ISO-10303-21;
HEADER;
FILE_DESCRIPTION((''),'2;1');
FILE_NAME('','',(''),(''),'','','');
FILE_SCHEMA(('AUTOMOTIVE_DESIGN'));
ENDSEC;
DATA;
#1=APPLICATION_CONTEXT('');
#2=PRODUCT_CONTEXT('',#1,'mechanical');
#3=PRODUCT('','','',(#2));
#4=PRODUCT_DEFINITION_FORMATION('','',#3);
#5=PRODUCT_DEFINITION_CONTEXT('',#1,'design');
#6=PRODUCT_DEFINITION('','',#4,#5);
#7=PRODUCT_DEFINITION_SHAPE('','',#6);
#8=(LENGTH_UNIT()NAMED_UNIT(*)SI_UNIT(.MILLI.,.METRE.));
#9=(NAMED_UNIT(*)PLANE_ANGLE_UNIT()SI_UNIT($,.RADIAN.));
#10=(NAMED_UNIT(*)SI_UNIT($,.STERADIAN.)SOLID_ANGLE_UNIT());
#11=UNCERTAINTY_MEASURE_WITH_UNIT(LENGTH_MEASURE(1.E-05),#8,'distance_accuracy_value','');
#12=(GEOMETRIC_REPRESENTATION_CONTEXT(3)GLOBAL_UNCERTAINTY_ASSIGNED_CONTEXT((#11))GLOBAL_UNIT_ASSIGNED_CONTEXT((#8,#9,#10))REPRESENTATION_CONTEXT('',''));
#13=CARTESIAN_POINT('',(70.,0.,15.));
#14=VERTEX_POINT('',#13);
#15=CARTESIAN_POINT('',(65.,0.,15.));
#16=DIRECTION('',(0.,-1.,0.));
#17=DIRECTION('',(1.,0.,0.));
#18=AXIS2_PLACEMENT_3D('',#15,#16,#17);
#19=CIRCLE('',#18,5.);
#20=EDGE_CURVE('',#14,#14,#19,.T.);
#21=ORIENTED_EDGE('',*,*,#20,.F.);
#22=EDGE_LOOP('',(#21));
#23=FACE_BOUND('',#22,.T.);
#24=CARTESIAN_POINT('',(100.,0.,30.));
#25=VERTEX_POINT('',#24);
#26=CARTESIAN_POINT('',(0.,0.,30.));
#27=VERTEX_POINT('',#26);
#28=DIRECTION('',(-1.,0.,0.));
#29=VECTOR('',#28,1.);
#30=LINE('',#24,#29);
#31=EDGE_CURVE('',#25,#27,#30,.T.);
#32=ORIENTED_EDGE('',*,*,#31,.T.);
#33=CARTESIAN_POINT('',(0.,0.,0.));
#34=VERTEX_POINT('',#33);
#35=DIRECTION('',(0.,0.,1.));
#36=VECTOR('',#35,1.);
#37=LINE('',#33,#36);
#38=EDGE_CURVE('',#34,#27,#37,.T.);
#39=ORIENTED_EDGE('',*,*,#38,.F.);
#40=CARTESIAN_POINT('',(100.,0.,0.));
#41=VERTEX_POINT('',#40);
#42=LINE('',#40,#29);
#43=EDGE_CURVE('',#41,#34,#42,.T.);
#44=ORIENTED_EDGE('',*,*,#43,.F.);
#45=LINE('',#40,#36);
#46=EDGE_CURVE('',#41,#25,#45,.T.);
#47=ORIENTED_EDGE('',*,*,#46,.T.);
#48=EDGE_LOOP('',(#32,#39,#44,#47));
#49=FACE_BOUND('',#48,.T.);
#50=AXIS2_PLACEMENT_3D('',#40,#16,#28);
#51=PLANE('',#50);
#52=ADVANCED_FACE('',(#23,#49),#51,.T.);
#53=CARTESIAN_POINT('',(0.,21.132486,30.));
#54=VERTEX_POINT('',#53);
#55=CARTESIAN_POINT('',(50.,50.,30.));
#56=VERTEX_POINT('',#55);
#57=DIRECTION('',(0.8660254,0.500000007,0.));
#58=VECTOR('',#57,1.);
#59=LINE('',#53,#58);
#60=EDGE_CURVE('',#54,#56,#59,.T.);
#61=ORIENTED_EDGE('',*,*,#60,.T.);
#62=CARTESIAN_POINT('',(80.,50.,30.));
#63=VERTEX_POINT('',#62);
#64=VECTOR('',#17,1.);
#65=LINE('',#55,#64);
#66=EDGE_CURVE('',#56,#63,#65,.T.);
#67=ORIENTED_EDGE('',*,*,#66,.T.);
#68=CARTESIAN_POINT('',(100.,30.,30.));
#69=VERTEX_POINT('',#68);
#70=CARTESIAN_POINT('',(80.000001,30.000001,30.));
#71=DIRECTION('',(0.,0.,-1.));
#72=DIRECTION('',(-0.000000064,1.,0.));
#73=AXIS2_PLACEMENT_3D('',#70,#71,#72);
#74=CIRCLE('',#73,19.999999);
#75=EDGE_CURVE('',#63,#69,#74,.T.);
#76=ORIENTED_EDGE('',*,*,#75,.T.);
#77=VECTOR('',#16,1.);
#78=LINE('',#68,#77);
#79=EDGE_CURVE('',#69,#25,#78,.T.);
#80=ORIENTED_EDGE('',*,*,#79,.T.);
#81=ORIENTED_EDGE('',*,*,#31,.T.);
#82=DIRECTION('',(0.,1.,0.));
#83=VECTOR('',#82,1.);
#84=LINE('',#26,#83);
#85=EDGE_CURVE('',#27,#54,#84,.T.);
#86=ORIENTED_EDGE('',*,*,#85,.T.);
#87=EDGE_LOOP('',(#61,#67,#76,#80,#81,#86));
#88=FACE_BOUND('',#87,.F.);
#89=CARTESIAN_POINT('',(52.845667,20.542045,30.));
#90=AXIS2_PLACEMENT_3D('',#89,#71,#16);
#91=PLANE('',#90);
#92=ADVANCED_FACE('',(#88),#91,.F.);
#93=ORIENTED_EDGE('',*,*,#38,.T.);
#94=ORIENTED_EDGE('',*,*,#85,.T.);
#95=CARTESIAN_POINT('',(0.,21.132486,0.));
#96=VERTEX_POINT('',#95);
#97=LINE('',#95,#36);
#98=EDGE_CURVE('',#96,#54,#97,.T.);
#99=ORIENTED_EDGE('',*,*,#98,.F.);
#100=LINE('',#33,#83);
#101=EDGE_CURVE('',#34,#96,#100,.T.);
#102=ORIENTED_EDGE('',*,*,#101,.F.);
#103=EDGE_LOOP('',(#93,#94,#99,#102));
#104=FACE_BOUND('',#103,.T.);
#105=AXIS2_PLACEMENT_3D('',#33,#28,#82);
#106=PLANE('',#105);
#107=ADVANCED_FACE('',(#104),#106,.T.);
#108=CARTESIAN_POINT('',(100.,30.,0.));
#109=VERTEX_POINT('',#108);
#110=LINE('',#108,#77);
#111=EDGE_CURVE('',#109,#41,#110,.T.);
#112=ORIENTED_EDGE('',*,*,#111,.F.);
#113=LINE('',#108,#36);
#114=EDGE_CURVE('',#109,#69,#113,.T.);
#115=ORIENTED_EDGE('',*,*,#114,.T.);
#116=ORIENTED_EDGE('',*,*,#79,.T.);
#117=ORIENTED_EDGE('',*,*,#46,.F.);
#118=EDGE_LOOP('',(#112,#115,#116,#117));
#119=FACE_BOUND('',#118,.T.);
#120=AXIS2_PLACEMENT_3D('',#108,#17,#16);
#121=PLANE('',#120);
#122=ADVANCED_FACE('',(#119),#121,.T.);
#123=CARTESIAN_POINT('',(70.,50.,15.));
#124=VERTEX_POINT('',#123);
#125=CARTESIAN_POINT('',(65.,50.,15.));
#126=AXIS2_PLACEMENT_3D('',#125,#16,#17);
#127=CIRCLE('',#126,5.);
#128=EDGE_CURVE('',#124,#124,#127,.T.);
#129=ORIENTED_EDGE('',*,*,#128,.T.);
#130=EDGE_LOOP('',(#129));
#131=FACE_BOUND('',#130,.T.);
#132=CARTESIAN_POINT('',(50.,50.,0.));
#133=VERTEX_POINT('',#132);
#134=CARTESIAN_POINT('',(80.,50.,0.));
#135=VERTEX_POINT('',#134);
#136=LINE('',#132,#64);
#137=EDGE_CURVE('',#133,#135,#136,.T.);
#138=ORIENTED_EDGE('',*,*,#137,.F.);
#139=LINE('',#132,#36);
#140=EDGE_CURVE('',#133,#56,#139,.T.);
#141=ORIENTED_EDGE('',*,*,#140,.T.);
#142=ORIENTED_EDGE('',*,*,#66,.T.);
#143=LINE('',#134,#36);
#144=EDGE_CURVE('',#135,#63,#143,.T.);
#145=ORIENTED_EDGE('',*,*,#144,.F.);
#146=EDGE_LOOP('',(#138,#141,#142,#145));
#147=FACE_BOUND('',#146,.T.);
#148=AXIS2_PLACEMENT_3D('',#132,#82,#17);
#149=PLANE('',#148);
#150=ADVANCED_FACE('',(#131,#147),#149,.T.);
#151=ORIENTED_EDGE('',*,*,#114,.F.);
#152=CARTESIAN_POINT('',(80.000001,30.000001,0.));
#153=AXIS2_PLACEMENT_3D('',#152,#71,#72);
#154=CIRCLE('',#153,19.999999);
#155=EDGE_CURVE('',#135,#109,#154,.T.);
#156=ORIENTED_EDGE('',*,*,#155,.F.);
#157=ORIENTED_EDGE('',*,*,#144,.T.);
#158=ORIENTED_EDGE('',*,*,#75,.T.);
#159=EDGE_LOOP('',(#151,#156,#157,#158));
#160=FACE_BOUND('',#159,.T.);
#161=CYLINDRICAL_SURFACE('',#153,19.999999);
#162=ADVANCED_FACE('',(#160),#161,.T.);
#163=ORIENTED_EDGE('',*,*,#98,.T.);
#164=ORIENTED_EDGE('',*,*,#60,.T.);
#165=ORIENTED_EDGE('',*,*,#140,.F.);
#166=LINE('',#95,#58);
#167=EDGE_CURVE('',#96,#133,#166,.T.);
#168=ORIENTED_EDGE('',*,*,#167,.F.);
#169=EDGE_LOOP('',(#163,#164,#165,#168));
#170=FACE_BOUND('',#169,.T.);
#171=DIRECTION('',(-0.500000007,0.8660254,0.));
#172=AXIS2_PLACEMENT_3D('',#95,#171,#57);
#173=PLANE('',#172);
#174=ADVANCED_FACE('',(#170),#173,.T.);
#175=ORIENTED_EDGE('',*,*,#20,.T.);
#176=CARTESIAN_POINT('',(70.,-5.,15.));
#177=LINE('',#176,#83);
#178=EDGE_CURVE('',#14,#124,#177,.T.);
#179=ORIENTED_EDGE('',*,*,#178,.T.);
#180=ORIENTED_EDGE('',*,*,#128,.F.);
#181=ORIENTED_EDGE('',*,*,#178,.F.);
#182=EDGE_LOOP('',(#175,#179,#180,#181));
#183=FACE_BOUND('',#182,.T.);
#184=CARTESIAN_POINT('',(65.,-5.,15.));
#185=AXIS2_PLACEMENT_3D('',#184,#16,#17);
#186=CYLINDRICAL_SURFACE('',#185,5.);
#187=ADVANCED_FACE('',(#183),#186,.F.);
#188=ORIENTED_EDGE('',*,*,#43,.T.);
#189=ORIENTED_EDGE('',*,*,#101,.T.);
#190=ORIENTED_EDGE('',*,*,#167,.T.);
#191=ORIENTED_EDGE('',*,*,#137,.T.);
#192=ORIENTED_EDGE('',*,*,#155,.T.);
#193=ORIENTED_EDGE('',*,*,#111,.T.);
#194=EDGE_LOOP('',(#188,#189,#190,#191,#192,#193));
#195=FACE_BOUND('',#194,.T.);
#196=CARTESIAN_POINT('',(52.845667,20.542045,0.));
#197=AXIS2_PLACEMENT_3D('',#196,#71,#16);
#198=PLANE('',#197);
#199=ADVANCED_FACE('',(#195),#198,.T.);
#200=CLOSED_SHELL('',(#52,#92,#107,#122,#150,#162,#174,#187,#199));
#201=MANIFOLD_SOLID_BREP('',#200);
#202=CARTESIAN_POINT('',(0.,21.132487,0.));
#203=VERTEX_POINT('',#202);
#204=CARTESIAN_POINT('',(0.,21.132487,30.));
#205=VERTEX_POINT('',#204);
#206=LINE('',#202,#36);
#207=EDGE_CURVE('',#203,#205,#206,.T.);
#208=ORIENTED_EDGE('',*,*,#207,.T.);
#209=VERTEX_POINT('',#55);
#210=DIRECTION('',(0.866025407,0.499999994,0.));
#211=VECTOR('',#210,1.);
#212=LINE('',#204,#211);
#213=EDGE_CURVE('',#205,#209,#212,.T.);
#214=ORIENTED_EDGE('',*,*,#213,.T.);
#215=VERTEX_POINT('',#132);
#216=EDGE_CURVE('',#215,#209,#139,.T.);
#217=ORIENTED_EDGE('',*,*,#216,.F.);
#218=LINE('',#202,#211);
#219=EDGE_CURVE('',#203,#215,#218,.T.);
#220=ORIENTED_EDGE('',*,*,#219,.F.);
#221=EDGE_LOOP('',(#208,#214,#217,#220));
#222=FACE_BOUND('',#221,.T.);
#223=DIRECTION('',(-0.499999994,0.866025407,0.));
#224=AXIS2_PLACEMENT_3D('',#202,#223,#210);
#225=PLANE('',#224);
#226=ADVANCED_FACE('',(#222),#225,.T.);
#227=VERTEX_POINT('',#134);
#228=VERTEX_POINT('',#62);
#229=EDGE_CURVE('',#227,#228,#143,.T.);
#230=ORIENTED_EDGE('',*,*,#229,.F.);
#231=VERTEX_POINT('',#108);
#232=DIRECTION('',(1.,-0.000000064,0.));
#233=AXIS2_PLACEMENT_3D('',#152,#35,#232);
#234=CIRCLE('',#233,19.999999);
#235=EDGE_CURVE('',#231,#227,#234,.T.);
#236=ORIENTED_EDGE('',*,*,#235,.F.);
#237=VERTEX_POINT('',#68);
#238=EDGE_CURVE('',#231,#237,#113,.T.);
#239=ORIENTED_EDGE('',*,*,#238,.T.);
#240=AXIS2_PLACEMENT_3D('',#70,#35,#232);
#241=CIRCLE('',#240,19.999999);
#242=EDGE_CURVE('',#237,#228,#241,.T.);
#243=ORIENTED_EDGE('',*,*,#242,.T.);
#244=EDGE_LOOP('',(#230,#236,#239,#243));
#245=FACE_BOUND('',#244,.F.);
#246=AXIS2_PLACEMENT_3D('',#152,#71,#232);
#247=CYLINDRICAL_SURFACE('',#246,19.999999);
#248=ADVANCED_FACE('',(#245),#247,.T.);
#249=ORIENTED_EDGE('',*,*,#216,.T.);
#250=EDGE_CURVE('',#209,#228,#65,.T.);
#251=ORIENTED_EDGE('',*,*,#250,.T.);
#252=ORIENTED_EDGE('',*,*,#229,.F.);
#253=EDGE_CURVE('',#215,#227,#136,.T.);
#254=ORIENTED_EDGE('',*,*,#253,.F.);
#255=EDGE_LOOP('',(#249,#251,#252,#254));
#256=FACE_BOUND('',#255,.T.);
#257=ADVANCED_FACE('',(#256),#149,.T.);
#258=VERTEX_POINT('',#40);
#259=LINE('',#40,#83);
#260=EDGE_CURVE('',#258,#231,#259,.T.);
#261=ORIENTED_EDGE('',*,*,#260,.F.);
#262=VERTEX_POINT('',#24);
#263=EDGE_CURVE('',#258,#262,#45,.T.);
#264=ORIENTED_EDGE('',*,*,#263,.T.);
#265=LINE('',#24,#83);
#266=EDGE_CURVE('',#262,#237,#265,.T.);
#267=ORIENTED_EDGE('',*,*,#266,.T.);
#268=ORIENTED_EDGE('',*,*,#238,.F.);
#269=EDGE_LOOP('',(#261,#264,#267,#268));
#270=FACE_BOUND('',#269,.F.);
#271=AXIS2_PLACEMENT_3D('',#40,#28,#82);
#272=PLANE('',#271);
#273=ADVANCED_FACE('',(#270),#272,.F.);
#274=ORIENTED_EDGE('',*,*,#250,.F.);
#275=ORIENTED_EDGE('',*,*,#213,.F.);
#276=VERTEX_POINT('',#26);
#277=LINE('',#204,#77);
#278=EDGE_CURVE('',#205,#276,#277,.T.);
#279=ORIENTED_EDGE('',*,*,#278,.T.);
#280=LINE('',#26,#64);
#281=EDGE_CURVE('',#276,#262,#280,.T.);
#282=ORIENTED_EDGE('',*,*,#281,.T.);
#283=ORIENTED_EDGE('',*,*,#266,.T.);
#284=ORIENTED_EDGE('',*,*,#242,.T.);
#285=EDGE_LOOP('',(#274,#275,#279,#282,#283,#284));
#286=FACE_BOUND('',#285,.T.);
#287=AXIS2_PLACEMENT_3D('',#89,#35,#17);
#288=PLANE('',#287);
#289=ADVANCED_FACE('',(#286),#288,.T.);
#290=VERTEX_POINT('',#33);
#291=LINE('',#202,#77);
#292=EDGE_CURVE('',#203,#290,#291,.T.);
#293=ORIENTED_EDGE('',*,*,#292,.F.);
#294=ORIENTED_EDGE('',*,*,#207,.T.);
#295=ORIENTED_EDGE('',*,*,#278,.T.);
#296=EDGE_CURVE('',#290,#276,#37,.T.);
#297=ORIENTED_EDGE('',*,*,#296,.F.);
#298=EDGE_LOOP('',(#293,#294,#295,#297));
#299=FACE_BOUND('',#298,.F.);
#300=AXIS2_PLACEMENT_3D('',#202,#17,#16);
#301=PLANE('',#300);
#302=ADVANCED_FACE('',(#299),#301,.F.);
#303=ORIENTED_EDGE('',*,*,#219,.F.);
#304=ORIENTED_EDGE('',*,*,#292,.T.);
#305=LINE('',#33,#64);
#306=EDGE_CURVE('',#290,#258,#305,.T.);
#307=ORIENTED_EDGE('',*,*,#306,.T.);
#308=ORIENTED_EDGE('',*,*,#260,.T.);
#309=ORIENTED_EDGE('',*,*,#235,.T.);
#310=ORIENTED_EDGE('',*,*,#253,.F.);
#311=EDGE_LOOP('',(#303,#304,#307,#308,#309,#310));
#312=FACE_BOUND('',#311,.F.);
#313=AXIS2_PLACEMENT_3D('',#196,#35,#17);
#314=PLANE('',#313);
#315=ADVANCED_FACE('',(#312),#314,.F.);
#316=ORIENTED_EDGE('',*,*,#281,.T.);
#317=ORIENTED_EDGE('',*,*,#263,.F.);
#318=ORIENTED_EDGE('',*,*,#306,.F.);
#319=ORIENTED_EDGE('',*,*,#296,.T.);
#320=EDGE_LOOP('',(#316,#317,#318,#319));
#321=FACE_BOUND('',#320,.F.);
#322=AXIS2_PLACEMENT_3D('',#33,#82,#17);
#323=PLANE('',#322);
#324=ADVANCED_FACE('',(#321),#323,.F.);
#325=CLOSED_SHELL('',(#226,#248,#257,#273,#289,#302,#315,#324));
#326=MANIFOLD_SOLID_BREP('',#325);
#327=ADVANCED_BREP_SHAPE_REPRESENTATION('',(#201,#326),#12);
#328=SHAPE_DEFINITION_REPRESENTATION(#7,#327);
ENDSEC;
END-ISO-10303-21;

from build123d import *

# Parameters (mm, degrees)
CYLINDER_R       = 5
CYLINDER_DEPTH   = 60
EXTRUDE_DEPTH    = 30
EXTRUDE001_DEPTH = 30


with BuildPart() as cylinder:
    # Cylinder → Cylinder (new body)
    with BuildSketch(Plane(origin=(65, -5, 15), x_dir=(1, 0, 0), z_dir=(0, 1, 0))):
        Circle(CYLINDER_R)
    extrude(amount=CYLINDER_DEPTH)


with BuildPart() as draftwb:
    # Face → Extrude (new body)
    with BuildSketch(Plane(origin=(54.805687, 21.932528, 0), x_dir=(0, -1, 0), z_dir=(0, 0, -1))):
        with BuildLine():
            Line((0.800042, 54.805687), (-28.067472, 4.805687))
            Line((-28.067472, 4.805687), (-28.067472, -25.194313))
            ThreePointArc((-28.067472, -25.194313), (-22.209608, -39.336449), (-8.067472, -45.194313))
            Line((-8.067472, -45.194313), (21.932528, -45.194313))
            Line((21.932528, -45.194313), (21.932528, 54.805687))
            Line((21.932528, 54.805687), (0.800042, 54.805687))
        make_face()
    extrude(amount=-EXTRUDE_DEPTH)

    # Cut: cut Cylinder
    add(cylinder.part, mode=Mode.SUBTRACT)


with BuildPart() as drafttosketch:
    # Sketch → Extrude001 (new body)
    with BuildSketch(Plane.XY):
        with BuildLine():
            Line((0, 0), (100, 0))
            Line((100, 0), (100, 30))
            ThreePointArc((100, 30), (94.142136, 44.142136), (80, 50))
            Line((50, 50), (80, 50))
            Line((0, 21.132487), (50, 50))
            Line((0, 21.132487), (0, 0))
        make_face()
    extrude(amount=EXTRUDE001_DEPTH)


solid = Compound([draftwb.part, drafttosketch.part])
